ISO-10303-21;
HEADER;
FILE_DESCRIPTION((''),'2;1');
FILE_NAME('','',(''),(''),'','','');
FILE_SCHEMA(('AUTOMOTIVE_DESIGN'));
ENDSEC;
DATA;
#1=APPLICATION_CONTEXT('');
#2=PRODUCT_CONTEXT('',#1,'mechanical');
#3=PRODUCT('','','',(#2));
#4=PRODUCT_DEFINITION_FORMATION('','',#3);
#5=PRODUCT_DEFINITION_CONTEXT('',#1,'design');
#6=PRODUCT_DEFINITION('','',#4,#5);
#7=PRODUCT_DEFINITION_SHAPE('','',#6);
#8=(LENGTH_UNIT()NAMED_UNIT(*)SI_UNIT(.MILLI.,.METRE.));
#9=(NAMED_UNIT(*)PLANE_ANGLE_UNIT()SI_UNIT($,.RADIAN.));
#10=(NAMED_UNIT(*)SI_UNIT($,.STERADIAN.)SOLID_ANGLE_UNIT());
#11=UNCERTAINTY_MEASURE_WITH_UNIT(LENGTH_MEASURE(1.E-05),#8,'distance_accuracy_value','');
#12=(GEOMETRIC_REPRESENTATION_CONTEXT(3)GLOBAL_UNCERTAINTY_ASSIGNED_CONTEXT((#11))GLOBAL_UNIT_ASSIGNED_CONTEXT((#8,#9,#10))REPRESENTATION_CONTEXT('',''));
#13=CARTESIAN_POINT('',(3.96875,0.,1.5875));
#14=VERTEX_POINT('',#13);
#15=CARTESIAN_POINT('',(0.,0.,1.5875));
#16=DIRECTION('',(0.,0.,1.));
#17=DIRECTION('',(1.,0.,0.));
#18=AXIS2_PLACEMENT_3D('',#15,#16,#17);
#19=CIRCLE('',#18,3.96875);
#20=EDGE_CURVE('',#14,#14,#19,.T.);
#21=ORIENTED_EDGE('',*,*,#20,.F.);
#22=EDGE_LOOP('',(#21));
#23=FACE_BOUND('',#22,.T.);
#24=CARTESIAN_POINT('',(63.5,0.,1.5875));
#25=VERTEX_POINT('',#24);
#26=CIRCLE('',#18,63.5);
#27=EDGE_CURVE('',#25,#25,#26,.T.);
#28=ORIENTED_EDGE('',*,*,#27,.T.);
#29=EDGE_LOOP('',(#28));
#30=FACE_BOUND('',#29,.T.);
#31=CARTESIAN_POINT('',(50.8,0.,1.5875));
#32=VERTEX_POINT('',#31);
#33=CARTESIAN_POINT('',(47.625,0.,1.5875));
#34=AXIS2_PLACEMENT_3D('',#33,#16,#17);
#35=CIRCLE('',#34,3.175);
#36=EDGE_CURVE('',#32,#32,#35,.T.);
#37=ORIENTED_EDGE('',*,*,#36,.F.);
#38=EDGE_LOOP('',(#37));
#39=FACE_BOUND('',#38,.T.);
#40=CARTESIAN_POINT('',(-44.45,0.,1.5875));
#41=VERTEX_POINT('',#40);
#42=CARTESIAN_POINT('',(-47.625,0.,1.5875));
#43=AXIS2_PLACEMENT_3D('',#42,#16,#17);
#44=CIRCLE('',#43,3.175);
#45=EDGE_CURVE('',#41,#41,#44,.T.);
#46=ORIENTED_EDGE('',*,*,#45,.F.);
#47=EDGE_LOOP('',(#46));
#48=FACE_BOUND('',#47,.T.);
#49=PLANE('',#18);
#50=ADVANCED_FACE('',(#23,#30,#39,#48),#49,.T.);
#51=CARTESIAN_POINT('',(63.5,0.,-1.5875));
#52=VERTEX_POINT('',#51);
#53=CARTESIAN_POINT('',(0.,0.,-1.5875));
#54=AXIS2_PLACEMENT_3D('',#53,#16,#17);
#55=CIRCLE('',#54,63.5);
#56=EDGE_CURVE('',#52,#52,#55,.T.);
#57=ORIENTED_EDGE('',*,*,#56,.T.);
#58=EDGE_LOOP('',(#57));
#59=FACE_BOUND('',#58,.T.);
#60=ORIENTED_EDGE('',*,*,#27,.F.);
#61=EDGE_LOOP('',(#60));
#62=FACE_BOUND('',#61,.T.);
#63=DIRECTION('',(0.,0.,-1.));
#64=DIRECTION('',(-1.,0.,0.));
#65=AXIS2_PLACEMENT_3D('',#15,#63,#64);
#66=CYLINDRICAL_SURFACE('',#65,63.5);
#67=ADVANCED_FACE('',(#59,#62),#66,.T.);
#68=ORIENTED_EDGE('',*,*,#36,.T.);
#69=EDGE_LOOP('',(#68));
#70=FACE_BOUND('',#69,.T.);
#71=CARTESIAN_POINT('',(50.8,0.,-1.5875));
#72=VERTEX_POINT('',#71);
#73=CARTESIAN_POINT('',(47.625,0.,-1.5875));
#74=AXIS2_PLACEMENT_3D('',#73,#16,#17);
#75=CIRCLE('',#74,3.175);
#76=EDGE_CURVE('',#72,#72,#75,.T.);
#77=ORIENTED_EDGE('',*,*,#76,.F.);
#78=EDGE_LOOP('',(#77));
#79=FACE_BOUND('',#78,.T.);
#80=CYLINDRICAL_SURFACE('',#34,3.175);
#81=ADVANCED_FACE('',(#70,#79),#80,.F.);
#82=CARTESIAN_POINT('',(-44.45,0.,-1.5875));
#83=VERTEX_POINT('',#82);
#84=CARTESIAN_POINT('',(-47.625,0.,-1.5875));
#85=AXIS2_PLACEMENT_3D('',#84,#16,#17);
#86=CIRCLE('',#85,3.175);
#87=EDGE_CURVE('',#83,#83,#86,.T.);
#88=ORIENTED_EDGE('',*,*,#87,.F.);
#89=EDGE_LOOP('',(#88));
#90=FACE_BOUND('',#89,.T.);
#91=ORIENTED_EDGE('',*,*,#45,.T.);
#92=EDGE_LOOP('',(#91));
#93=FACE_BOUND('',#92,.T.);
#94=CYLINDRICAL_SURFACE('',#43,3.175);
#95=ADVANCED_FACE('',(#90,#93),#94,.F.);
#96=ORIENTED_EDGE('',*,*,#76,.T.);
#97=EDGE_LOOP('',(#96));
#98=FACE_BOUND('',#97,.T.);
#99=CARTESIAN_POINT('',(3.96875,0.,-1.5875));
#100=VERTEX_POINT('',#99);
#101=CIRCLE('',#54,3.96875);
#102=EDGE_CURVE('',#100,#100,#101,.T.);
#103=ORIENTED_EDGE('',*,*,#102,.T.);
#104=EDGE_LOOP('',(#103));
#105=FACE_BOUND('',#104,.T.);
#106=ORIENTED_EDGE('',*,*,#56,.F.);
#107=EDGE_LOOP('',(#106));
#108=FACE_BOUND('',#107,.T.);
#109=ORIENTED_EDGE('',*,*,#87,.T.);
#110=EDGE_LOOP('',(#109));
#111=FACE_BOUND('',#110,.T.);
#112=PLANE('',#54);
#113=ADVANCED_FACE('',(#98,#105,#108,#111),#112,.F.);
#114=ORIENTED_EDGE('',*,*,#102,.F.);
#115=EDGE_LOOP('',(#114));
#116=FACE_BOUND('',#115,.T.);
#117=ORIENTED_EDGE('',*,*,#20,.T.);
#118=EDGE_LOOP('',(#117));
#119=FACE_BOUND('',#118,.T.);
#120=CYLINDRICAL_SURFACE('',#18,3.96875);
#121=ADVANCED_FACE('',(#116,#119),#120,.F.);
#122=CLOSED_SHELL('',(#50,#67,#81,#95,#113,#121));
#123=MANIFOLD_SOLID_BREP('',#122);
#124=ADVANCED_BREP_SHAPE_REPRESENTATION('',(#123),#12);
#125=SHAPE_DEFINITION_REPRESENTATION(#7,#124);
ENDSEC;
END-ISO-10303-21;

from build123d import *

# Parameters (mm, degrees)
SKETCH1_R                          = 63.5
BOSS_EXTRUDE1_DEPTH                = 1.5875
F_1_4_0_25_DIAMETER_HOLE1_D        = 6.35
F_5_16_0_3125_DIAMETER_HOLE1_D     = 7.9375
F_5_16_0_3125_DIAMETER_HOLE1_DEPTH = 3.302


with BuildPart() as part:
    # Sketch1 → Boss-Extrude1 (new body, symmetric)
    with BuildSketch(Plane.XY):
        Circle(SKETCH1_R)
    extrude(amount=BOSS_EXTRUDE1_DEPTH, both=True)

    # 1/4 (0.25) Diameter Hole1 (through all)
    with Locations(Plane.XY.offset(1.5875)):
        with Locations((-47.625, 0), (47.625, 0)):
            Hole(F_1_4_0_25_DIAMETER_HOLE1_D / 2)

    # 5/16 (0.3125) Diameter Hole1
    with Locations(Plane.XY.offset(1.5875)):
        with Locations((0, 0)):
            Hole(F_5_16_0_3125_DIAMETER_HOLE1_D / 2, depth=F_5_16_0_3125_DIAMETER_HOLE1_DEPTH)


solid = part.part
